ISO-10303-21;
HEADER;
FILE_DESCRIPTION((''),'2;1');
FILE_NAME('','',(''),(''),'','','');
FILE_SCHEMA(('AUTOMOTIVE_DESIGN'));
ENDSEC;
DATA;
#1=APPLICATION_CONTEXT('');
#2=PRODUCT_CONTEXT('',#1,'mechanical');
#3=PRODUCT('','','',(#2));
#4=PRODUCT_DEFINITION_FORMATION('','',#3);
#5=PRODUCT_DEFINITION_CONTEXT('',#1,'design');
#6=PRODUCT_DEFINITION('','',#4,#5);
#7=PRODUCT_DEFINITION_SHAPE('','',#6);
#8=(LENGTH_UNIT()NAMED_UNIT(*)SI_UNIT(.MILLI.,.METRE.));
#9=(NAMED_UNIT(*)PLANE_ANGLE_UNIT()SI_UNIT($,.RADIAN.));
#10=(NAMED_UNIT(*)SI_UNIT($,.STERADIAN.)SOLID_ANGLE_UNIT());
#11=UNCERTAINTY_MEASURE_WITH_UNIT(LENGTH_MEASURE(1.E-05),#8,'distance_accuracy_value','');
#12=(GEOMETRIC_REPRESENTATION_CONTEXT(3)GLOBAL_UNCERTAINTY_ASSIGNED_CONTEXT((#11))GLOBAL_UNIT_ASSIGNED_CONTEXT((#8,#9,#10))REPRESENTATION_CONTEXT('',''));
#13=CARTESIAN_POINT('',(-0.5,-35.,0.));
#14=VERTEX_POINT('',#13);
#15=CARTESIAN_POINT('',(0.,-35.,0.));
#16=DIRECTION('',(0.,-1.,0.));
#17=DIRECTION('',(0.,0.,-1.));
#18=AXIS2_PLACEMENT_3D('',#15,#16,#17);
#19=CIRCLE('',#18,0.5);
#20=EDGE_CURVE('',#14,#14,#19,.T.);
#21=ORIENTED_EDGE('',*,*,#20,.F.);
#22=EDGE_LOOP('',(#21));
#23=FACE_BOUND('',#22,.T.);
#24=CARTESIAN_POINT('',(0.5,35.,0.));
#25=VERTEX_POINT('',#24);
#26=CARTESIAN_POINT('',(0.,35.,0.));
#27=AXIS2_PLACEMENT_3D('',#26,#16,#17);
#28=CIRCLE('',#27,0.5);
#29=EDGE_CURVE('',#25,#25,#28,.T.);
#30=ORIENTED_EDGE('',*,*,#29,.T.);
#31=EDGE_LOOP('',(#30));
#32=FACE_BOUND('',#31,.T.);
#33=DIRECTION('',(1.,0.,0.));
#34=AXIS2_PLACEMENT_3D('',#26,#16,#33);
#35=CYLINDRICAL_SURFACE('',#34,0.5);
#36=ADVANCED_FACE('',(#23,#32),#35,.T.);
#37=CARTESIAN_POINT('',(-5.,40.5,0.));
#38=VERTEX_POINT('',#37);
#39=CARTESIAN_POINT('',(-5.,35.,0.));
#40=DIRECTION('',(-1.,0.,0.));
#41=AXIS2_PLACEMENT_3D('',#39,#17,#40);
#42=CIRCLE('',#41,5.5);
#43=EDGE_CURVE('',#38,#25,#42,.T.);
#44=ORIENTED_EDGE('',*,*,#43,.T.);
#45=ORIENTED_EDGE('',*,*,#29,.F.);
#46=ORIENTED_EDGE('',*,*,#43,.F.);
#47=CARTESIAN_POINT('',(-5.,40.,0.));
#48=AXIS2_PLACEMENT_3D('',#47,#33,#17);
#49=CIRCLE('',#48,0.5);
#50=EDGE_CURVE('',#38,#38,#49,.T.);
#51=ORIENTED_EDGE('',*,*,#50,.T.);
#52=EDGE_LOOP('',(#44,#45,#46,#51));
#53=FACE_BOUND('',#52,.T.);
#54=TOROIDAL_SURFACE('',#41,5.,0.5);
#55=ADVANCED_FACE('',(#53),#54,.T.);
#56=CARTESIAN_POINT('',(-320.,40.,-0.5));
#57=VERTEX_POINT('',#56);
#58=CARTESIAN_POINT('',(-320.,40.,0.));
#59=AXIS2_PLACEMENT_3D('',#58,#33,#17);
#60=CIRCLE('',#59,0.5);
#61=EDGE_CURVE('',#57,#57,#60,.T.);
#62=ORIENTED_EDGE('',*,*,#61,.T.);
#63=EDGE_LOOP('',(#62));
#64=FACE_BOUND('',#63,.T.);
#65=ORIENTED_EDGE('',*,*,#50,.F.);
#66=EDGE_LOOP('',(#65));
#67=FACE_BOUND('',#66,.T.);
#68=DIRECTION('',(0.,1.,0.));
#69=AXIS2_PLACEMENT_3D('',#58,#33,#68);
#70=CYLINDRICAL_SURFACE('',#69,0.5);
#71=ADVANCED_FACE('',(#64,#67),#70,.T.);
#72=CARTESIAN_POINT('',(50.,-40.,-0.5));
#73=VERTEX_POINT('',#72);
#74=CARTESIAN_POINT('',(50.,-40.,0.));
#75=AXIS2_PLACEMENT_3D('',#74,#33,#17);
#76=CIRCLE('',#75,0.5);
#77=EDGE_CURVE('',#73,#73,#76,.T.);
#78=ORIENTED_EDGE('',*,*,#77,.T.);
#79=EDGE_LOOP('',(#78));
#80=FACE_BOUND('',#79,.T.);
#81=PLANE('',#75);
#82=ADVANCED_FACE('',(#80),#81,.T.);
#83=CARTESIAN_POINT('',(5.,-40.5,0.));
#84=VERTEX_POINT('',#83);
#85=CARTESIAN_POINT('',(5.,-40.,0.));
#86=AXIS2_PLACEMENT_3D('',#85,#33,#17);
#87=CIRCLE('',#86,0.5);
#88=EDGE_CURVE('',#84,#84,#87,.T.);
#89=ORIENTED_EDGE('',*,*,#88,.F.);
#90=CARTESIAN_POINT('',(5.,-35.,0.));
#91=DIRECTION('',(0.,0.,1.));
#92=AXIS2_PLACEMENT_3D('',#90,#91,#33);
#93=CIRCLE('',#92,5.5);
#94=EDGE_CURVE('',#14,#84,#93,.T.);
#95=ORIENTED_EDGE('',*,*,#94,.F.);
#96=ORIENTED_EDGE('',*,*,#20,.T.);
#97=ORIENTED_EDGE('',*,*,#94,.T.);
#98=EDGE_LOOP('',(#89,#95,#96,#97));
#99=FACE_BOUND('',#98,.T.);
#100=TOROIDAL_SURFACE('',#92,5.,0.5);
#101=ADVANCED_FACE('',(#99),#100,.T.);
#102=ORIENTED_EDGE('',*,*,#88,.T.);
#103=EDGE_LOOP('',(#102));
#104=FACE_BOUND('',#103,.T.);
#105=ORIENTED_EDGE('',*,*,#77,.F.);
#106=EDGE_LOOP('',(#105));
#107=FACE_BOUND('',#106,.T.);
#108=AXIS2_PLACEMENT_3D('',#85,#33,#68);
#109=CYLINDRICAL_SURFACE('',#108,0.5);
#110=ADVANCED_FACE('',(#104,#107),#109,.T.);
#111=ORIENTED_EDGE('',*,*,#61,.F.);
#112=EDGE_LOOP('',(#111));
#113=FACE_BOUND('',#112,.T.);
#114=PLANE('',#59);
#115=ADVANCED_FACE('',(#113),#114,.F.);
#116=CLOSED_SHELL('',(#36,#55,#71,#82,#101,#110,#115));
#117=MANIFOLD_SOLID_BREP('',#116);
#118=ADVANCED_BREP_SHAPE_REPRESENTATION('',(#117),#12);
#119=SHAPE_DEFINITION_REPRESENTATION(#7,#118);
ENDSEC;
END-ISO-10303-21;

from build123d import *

# Parameters (mm, degrees)
SKETCH_2_R = 0.5


with BuildPart() as part:
    # ｽｲｰﾌﾟ1: sweep along a path in ｽｹｯﾁ1
    with BuildLine(Plane.XY) as sweep_1_path:
        Line((-320, 40), (-5, 40))
        ThreePointArc((-5, 40), (-1.464466094, 38.535533906), (0, 35))
        Line((0, 35), (0, -35))
        ThreePointArc((0, -35), (1.464466094, -38.535533906), (5, -40))
        Line((5, -40), (50, -40))
    # ｽｹｯﾁ2 → ｽｲｰﾌﾟ1 (sweep)
    with BuildSketch(Plane(origin=(50, 0, 0), x_dir=(0, 0, -1), z_dir=(1, 0, 0))):
        with Locations((0, -40)):
            Circle(SKETCH_2_R)
    sweep(path=sweep_1_path.line)


solid = part.part
